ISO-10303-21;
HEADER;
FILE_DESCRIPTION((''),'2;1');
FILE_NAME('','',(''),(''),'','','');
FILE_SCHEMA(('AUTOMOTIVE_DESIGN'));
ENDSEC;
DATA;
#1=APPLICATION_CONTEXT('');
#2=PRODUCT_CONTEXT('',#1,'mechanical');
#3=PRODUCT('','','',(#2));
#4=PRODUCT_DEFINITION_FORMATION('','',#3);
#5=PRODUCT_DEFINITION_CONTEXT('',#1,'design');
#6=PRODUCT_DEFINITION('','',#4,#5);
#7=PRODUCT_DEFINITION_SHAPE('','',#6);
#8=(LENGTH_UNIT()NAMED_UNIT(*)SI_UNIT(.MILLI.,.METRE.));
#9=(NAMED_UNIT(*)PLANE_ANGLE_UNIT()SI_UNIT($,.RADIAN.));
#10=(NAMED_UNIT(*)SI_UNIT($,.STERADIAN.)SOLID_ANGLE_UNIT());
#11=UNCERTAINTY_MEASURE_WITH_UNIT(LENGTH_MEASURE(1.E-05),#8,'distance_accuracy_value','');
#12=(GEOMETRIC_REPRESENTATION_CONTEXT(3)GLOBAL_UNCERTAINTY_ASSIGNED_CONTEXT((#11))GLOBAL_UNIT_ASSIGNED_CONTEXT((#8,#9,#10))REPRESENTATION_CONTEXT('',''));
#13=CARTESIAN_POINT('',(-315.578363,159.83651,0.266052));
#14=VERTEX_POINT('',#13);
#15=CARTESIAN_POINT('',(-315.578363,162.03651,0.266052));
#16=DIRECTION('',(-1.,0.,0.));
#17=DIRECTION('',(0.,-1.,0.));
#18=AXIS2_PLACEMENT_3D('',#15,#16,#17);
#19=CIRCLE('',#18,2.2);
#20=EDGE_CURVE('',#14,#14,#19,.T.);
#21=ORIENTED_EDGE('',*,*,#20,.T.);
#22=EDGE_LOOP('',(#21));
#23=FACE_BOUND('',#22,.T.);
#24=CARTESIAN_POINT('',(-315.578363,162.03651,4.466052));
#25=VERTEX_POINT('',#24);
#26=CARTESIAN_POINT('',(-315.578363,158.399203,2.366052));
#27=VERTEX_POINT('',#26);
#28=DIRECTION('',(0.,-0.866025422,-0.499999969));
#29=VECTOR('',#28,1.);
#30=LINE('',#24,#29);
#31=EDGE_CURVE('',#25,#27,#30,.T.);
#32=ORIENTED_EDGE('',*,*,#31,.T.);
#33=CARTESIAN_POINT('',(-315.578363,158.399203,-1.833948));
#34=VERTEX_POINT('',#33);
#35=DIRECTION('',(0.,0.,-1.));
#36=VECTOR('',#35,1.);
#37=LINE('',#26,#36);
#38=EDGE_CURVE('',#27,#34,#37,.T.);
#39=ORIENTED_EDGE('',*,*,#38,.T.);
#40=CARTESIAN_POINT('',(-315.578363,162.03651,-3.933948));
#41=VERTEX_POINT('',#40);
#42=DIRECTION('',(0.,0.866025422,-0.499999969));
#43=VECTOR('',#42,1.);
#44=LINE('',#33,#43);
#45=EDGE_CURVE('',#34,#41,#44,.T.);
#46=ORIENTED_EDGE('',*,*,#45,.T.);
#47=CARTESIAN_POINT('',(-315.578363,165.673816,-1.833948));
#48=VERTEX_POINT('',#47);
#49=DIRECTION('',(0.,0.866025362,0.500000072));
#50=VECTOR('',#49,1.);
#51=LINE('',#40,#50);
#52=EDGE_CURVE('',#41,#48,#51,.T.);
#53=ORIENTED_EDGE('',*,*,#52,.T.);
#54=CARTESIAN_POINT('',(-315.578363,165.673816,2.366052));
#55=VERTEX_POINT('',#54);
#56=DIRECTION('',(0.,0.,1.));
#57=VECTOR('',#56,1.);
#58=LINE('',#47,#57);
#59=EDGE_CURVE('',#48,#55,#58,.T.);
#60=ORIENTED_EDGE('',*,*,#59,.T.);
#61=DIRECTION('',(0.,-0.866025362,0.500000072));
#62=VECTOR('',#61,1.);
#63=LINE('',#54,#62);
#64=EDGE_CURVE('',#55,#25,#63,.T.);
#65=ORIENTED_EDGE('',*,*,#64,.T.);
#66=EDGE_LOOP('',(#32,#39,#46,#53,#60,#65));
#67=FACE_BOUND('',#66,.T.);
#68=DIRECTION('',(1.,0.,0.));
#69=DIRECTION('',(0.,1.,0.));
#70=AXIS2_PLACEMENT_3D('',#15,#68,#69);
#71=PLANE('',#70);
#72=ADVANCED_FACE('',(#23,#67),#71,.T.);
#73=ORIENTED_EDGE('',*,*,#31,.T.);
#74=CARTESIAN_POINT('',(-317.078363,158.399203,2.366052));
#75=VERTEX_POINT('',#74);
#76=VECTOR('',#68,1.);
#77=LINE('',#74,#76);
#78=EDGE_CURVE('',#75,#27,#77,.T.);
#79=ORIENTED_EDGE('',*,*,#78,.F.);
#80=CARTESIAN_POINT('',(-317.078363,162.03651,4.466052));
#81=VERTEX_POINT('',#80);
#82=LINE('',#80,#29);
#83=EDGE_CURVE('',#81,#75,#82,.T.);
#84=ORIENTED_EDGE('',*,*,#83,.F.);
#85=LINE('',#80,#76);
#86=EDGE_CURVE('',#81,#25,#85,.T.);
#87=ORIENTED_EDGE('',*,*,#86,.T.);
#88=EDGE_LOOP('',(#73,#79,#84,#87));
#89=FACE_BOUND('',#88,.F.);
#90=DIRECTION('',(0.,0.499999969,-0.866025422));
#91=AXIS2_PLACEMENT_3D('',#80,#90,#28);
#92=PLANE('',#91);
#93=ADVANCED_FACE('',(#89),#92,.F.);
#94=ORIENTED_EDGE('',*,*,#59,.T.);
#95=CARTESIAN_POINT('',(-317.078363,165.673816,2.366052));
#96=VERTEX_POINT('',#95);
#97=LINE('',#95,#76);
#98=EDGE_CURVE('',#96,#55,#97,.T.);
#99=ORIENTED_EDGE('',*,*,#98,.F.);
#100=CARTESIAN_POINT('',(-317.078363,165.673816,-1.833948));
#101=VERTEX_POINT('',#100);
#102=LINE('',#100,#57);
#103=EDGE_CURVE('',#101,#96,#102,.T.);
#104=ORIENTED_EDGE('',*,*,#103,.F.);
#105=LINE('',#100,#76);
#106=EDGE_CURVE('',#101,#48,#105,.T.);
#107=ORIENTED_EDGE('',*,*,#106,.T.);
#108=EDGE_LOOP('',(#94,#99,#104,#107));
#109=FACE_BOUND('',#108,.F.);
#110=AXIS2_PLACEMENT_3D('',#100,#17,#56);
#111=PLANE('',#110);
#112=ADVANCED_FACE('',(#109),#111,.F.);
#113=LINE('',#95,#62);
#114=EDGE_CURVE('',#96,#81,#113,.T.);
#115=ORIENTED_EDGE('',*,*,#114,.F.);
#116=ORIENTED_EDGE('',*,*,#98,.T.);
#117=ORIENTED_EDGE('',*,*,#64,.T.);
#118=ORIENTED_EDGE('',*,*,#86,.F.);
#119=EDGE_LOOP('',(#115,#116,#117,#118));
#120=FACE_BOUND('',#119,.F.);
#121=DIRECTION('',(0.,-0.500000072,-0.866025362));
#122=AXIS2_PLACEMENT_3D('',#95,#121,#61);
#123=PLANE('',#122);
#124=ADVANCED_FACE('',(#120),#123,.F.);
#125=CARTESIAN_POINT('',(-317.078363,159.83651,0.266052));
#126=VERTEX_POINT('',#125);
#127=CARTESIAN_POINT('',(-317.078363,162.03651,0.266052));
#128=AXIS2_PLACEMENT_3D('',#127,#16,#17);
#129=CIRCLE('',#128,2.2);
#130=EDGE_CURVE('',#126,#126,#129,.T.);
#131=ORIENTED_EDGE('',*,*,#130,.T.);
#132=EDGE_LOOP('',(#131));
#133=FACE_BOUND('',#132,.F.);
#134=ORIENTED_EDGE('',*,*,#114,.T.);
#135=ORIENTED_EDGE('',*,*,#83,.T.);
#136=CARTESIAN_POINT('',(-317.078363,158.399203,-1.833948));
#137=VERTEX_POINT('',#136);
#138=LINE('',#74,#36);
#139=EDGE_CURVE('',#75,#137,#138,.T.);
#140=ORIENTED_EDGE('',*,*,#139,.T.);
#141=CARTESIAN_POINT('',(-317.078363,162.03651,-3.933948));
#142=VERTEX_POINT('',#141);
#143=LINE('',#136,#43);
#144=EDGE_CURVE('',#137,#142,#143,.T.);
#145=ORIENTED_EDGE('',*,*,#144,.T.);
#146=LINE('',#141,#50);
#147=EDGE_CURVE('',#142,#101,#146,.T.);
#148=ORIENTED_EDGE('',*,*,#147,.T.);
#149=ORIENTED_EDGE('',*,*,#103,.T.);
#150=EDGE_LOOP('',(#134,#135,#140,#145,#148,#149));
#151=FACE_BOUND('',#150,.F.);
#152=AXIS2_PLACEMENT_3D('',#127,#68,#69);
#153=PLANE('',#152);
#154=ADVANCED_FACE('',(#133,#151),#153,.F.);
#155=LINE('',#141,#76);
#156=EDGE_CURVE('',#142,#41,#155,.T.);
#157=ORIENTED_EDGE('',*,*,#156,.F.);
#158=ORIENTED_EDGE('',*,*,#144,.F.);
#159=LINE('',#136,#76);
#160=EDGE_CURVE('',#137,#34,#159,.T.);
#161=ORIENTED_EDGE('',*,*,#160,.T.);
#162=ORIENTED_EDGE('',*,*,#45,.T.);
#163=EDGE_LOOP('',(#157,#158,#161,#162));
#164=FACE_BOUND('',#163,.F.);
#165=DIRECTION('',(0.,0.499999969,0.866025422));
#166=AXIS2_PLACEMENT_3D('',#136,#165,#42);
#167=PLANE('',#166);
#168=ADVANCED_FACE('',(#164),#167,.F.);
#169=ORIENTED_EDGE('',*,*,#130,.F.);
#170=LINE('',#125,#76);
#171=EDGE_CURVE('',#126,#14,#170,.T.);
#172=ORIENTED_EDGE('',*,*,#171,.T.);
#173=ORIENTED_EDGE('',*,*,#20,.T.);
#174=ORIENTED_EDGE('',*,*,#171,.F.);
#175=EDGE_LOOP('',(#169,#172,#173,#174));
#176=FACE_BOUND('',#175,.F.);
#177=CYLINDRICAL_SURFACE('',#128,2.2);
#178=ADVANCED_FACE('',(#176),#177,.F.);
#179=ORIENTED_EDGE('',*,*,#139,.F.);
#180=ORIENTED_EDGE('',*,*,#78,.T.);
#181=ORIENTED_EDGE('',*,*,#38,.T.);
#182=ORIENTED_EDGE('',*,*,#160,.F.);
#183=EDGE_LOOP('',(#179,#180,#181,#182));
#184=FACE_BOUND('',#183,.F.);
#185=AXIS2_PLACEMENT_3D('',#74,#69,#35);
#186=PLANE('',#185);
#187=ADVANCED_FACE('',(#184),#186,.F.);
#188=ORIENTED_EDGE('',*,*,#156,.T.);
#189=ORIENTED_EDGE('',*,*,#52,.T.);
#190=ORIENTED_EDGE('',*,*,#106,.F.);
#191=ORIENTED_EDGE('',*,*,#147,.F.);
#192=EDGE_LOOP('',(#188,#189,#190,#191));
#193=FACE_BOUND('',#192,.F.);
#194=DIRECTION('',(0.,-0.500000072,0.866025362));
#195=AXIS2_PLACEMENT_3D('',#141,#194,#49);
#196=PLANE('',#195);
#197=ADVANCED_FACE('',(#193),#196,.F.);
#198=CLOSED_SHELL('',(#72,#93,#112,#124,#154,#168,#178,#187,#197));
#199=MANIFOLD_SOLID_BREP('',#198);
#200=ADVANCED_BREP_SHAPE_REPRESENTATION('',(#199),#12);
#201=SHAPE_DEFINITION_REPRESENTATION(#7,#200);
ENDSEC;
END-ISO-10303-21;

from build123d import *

# Parameters (mm, degrees)
CIRCLE023_R        = 2.2
EXTRUSION080_DEPTH = 24.9014
EXTRUSION079_DEPTH = 1.5


with BuildPart() as extrusion080:
    # Circle023 → Extrusion080 (new body)
    with BuildSketch(Plane(origin=(-317.078363, 162.03651, 0.266052), x_dir=(0, -1, 0), z_dir=(-1, 0, 0))):
        Circle(CIRCLE023_R)
    extrude(amount=-EXTRUSION080_DEPTH)


with BuildPart() as cut010012012:
    # Wire006 → Extrusion079 (new body)
    with BuildSketch(Plane(origin=(-317.078363, 158.399203, -1.833948), x_dir=(0, -1, 0), z_dir=(-1, 0, 0))):
        Polygon((0, 0), (-3.637307, -2.1), (-7.274613, 0), (-7.274613, 4.2), (-3.637307, 6.3), (0, 4.2), align=None)
    extrude(amount=-EXTRUSION079_DEPTH)

    # Cut010012012: cut Extrusion080
    add(extrusion080.part, mode=Mode.SUBTRACT)


solid = cut010012012.part
